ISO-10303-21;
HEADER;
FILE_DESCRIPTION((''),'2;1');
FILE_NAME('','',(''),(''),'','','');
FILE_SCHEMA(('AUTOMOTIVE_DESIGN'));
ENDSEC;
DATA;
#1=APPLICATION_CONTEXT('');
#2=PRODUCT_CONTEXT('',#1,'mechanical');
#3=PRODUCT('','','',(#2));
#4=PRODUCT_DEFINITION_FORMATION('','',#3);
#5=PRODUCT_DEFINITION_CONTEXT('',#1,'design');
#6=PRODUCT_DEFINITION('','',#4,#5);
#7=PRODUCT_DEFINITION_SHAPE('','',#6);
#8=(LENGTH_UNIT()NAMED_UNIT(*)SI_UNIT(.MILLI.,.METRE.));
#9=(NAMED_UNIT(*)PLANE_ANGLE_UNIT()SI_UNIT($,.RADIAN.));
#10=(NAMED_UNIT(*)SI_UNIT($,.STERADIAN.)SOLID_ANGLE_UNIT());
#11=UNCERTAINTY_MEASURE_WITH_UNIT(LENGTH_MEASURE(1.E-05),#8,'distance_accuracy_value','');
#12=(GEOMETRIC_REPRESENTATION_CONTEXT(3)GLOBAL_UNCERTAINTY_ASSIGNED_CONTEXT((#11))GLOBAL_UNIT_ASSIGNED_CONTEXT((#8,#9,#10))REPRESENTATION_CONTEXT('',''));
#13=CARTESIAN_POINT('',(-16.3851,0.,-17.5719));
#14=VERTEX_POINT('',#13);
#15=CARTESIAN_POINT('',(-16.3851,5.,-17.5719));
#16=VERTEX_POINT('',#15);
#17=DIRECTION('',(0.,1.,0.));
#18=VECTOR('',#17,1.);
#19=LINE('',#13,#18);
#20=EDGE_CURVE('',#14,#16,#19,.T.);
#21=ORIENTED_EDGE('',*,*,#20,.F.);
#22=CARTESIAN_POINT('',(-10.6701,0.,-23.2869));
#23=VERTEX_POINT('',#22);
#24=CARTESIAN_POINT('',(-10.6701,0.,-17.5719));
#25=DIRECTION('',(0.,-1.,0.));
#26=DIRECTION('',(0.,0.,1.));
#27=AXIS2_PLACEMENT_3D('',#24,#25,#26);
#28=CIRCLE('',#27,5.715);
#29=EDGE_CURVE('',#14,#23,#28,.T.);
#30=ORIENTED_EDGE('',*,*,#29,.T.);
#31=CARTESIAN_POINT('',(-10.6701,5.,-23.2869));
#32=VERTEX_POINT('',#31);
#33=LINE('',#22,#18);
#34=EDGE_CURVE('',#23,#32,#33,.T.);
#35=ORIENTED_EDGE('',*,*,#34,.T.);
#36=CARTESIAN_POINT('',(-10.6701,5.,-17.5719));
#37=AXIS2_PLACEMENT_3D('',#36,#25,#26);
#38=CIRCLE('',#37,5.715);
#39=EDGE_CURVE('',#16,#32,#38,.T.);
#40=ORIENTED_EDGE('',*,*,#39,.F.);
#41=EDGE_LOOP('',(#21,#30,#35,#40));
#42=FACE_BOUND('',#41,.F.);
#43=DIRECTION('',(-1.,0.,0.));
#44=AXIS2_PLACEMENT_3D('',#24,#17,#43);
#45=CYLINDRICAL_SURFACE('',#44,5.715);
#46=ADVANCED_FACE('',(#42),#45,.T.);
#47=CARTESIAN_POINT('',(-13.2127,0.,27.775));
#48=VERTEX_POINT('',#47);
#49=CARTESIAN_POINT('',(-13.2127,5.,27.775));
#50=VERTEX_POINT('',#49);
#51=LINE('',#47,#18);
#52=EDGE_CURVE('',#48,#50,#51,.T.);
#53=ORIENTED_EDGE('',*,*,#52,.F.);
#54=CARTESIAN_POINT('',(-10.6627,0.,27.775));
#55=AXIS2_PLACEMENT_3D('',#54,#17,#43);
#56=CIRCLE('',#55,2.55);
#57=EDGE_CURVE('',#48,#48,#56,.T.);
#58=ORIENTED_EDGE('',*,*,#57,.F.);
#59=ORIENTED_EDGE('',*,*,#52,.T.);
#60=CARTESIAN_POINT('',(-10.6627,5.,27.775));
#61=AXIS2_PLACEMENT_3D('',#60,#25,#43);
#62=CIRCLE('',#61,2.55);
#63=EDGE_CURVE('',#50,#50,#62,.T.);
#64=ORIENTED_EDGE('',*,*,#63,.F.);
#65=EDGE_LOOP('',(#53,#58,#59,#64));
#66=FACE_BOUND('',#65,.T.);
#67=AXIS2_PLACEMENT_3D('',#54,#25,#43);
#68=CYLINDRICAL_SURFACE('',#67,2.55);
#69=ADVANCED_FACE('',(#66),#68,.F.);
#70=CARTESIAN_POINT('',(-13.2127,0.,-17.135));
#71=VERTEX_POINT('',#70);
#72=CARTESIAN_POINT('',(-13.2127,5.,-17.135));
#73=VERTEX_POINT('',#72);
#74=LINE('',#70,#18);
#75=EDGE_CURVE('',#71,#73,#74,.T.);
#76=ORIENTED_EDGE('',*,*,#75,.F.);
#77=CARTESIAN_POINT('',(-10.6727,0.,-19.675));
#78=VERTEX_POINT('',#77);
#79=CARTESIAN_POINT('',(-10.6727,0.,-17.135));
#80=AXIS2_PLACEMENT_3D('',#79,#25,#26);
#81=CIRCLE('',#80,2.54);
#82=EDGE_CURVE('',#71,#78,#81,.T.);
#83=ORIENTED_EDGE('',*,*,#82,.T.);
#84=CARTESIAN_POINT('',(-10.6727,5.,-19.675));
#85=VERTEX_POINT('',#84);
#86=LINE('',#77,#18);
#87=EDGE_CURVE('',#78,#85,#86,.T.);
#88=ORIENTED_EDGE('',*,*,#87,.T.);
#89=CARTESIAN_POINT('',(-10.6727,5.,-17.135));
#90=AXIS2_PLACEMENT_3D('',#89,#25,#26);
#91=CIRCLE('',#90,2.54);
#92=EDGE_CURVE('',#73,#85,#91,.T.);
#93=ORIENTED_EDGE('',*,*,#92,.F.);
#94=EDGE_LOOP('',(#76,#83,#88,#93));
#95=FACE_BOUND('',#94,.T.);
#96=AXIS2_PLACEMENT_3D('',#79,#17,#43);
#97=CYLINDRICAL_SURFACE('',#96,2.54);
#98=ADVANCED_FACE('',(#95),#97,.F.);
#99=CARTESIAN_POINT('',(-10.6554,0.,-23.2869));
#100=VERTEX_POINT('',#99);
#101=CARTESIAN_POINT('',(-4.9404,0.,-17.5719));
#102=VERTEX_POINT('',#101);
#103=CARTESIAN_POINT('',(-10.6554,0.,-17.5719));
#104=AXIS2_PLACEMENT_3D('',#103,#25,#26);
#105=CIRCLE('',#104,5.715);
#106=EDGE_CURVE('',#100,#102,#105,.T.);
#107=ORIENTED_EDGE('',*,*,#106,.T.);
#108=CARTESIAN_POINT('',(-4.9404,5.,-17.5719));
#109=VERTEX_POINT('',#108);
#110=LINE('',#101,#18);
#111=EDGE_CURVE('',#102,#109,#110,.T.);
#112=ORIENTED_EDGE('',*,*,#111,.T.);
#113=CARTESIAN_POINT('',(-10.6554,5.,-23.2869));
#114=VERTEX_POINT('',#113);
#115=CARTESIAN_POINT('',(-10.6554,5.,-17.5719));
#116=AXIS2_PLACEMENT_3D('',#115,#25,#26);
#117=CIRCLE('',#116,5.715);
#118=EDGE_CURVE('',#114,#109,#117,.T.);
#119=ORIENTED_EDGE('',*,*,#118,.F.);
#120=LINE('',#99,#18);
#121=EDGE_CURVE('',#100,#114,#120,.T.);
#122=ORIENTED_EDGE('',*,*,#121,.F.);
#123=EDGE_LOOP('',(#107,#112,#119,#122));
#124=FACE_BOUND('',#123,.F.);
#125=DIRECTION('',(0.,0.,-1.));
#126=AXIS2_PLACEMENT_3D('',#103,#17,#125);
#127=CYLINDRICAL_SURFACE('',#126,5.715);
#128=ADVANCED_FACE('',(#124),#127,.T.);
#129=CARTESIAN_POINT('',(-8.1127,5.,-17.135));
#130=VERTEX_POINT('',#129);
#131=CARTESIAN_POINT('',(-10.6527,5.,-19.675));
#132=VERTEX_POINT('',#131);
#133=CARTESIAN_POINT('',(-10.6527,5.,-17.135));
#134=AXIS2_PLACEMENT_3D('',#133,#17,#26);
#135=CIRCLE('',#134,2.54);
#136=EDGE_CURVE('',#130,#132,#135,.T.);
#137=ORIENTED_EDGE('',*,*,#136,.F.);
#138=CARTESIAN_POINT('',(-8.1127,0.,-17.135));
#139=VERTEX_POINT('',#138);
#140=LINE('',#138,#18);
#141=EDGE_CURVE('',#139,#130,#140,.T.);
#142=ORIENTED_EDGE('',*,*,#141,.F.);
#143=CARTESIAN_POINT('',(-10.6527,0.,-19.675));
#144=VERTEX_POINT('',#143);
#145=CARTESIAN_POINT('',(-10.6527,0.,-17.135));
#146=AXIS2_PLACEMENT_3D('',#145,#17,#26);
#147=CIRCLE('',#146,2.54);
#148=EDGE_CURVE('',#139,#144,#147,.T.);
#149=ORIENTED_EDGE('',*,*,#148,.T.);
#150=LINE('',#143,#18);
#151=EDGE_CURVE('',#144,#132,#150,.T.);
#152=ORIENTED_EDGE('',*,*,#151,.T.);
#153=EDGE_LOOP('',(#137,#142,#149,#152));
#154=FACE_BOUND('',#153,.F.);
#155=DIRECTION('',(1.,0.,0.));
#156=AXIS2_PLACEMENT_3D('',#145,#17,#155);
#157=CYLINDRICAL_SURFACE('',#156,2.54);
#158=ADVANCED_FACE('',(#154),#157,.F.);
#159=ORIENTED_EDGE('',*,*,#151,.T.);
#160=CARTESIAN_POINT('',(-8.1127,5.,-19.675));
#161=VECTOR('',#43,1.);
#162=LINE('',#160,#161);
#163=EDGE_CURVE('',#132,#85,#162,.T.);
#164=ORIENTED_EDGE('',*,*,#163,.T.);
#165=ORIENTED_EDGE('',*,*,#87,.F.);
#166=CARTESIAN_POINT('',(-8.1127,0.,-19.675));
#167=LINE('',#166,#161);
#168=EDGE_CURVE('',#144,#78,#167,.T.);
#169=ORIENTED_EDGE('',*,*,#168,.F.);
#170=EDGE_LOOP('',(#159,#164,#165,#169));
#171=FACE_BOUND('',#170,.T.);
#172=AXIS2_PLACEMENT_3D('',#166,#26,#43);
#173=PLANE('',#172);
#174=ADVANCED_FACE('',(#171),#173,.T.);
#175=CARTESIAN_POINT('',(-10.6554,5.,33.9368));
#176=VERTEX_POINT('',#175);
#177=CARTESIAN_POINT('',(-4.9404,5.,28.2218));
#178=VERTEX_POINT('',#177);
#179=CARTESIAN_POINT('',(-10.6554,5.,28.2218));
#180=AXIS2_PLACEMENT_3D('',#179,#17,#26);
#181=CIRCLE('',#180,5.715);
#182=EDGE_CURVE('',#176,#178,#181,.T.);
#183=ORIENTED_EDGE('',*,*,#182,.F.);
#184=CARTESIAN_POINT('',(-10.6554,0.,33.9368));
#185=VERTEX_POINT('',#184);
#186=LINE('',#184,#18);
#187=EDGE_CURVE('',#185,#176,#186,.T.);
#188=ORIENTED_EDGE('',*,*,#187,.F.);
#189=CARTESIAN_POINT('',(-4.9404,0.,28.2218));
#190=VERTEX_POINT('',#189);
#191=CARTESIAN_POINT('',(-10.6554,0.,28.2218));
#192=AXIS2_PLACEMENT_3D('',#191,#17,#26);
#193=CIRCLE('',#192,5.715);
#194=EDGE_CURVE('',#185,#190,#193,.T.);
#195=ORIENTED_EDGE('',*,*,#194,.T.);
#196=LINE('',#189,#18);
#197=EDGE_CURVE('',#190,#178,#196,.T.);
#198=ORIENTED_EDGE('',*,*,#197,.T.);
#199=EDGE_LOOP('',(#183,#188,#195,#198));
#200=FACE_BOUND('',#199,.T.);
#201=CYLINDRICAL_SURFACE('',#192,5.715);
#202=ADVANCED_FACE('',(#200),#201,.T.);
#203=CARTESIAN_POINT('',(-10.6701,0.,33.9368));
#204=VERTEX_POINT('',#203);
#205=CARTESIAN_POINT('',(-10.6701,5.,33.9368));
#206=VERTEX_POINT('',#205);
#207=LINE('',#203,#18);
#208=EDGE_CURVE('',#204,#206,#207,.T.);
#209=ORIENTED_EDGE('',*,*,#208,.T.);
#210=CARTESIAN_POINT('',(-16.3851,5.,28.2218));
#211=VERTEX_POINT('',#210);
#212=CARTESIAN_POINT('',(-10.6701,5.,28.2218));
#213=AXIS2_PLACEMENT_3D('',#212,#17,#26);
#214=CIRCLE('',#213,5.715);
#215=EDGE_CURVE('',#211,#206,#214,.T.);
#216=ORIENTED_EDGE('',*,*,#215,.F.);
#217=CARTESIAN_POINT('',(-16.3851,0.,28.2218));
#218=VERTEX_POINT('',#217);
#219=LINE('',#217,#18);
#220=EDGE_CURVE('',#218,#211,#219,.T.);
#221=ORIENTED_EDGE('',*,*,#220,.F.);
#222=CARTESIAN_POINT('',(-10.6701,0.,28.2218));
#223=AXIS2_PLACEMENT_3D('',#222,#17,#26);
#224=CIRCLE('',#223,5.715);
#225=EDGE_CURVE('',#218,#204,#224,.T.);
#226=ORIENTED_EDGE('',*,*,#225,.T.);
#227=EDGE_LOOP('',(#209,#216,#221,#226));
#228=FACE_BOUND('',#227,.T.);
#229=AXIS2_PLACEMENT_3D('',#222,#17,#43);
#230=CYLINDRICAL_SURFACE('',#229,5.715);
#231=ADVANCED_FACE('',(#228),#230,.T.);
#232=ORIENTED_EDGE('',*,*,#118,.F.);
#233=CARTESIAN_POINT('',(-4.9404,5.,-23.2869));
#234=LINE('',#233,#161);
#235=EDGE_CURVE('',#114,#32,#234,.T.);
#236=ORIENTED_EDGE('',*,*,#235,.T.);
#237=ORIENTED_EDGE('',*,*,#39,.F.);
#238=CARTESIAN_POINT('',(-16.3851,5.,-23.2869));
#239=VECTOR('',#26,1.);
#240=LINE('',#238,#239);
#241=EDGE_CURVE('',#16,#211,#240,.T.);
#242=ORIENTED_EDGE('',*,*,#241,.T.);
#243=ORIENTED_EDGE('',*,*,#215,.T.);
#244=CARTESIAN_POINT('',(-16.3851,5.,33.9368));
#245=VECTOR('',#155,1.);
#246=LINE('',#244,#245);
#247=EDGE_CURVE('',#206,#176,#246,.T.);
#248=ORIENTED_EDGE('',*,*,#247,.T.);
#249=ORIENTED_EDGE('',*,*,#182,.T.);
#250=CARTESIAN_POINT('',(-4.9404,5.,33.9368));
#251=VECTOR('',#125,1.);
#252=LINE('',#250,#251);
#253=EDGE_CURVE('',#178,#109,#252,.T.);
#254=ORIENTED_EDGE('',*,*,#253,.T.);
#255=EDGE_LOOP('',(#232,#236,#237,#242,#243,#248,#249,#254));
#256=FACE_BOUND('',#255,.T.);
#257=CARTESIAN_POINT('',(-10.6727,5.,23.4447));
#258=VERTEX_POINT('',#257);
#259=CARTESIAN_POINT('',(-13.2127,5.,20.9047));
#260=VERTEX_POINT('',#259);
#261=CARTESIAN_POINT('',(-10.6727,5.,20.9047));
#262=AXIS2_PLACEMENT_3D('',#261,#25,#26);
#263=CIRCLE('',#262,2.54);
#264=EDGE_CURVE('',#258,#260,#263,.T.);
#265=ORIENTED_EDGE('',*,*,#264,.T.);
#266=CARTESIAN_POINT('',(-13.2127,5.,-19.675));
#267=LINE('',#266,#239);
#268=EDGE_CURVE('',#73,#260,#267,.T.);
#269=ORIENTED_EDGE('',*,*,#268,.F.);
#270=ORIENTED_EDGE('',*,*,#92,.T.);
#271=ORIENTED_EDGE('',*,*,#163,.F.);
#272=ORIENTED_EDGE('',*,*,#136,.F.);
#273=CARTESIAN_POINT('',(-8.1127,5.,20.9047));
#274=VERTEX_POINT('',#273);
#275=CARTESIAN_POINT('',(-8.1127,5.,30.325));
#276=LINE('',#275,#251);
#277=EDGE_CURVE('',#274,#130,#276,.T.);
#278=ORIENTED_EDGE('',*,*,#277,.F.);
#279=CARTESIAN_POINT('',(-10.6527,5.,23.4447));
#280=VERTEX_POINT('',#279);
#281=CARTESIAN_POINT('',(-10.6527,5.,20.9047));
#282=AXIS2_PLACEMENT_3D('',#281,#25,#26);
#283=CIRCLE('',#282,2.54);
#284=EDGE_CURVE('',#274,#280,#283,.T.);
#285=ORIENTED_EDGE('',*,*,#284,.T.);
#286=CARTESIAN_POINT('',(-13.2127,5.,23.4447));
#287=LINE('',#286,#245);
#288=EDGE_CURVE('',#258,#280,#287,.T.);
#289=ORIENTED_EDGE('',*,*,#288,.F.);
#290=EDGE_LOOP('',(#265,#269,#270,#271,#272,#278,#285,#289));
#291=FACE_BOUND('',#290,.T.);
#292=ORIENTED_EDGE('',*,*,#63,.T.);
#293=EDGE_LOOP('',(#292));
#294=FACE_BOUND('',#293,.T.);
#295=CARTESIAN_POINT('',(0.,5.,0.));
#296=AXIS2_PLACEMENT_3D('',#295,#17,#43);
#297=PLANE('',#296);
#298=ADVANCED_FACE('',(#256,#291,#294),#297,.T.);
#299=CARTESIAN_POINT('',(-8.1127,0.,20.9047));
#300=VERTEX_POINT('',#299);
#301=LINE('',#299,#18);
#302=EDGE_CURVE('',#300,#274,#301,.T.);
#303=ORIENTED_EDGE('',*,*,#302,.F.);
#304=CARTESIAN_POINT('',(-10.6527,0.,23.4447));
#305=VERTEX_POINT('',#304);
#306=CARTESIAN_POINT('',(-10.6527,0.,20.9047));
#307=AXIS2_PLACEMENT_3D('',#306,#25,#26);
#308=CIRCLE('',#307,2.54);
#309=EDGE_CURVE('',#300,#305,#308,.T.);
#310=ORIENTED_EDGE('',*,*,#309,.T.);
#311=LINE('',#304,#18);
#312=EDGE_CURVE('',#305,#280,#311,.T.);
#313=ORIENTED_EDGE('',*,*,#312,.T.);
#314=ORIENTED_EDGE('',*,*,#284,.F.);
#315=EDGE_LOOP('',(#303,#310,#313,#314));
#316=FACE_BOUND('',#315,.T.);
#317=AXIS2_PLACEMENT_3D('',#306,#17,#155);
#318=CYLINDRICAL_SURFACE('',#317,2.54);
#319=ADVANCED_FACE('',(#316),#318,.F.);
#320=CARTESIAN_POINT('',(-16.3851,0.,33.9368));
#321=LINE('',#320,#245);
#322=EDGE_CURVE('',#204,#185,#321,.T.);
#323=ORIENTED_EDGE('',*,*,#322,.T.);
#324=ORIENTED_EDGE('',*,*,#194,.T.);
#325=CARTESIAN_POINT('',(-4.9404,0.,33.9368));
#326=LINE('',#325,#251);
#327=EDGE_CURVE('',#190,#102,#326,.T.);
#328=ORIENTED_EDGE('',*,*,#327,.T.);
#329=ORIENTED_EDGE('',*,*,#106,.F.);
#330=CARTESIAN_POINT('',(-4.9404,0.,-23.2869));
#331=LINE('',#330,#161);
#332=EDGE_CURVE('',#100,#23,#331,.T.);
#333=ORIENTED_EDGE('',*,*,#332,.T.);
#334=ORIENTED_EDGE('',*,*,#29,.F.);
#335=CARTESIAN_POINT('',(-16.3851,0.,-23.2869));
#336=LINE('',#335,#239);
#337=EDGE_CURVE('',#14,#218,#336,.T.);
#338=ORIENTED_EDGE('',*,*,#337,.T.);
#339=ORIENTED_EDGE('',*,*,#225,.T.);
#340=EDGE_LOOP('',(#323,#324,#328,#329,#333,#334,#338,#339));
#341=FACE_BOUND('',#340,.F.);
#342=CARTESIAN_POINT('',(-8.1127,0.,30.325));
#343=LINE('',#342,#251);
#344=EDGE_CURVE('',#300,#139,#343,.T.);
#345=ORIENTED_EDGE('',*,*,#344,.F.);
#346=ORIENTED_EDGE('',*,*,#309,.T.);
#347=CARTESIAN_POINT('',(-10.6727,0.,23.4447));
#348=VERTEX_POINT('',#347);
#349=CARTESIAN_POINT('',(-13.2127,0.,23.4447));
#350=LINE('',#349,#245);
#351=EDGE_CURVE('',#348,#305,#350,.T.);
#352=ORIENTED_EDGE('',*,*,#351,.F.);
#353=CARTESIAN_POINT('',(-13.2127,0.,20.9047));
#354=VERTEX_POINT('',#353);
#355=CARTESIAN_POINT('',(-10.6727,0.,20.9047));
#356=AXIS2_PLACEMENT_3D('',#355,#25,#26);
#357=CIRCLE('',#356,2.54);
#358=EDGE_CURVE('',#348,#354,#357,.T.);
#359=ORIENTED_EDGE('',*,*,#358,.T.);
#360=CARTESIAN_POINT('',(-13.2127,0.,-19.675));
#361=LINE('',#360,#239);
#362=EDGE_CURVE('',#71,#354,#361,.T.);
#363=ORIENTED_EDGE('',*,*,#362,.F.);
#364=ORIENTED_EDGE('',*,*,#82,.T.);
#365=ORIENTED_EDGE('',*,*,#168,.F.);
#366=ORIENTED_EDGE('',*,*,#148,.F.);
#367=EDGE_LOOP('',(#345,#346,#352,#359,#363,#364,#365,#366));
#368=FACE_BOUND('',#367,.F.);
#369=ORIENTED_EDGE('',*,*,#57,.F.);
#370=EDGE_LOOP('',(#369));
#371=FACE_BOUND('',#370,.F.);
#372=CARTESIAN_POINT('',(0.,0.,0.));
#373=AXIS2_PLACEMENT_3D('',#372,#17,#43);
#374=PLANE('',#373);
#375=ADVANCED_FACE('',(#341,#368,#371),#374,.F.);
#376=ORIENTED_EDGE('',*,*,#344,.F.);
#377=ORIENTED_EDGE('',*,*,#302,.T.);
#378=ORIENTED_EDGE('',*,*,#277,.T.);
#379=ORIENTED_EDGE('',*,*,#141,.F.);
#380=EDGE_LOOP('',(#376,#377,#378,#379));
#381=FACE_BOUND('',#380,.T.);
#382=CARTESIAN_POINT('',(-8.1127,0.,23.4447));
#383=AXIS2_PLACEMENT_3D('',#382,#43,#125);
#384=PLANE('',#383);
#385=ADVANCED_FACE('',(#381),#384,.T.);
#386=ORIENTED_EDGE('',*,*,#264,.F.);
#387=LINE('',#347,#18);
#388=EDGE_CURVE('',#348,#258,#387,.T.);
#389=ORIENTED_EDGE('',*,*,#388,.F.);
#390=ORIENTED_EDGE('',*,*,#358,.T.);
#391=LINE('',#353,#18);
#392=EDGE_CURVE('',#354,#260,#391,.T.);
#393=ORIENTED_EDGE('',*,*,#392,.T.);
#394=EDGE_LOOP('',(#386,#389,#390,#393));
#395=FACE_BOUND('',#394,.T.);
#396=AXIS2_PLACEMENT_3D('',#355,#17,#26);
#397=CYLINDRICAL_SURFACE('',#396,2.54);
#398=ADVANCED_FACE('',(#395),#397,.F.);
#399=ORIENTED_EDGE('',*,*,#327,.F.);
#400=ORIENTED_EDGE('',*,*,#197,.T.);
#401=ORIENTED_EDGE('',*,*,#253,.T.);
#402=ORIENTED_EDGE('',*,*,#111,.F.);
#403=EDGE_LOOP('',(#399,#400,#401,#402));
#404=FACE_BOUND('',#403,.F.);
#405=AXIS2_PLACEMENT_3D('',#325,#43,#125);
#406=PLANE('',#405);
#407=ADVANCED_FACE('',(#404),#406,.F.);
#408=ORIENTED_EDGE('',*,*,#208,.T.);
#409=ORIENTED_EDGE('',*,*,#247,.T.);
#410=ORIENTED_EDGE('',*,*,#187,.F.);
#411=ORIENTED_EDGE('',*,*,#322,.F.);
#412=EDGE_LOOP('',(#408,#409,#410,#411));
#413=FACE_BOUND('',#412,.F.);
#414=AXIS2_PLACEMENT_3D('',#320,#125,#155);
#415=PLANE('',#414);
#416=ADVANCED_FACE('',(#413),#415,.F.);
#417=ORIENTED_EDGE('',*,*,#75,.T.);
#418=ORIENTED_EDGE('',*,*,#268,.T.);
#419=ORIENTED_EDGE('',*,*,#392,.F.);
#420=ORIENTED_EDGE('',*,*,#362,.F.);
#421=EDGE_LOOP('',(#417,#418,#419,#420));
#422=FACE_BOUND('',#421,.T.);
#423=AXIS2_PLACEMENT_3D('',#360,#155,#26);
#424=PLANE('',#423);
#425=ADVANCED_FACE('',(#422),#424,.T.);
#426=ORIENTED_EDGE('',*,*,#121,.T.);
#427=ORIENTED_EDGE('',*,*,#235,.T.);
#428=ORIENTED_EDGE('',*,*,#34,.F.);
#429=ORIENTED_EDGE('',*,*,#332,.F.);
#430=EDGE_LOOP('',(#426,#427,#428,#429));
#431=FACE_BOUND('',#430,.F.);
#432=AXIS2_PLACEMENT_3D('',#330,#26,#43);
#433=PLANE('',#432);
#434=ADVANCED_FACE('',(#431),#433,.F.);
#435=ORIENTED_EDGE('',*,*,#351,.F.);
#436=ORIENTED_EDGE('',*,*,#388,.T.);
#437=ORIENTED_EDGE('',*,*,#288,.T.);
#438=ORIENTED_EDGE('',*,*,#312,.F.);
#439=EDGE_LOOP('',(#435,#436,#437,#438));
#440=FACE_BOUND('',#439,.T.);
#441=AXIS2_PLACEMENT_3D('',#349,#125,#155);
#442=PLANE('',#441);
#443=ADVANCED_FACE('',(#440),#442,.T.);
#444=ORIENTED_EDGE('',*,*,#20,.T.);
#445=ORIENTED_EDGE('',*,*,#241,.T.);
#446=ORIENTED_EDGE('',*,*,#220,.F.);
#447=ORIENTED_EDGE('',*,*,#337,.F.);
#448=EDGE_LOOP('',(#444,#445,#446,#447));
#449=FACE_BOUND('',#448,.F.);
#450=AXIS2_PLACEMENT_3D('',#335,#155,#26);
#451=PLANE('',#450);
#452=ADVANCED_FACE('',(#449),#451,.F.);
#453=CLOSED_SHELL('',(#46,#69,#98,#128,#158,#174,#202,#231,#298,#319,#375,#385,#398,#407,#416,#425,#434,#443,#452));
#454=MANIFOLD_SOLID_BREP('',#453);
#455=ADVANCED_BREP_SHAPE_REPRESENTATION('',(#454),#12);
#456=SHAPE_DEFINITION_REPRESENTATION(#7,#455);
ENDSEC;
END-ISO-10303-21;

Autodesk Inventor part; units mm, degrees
ref_plane "YZ Plane" through (0, 0, 0) normal (1, 0, 0) x (0, 1, 0)
ref_plane "XZ Plane" through (0, 0, 0) normal (0, 1, 0) x (-1, 0, 0)
ref_plane "XY Plane" through (0, 0, 0) normal (0, 0, 1) x (1, 0, 0)
sketch "Sketch1" plane through (0, 0, 0) normal (0, 1, 0) x (-1, 0, 0)
  line L0 (16.3851, 33.9368) -> (4.9404, 33.9368)
  line L1 (4.9404, 33.9368) -> (4.9404, -23.2869)
  line L2 (4.9404, -23.2869) -> (16.3851, -23.2869)
  line L3 (16.3851, -23.2869) -> (16.3851, 33.9368)
  line L4 (13.2127, 30.325) -> (8.1127, 30.325)
  line L5 (8.1127, 30.325) -> (8.1127, -19.675)
  line L6 (8.1127, -19.675) -> (13.2127, -19.675)
  line L7 (13.2127, -19.675) -> (13.2127, 30.325)
  circle A0 centre (10.6627, 27.775) radius 2.55
  line L8 (13.2127, 23.4447) -> (8.1127, 23.4447)
  point P0 (0, 0)
  dimension "d2" = 5.1
  dimension "d3" = 11.4447
  dimension "d4" = 57.2237
  dimension "d5" = 3.1724
  dimension "d6" = 50
  dimension "d7" = 3.6118
  dimension "d12" = 5.1
  dimension "d13" = 2.55
extrude "Extrusion2" add sketch "Sketch1" along normal blind 5 contours L3 L2 L1 L0 | L7 A0 L4 | A0 L5 L4 | L7 L8 L5 A0
fillet "Fillet3" radius 5.715 4 edges at (-16.3851, 2.5, 33.9368) (-4.9404, 2.5, 33.9368) (-16.3851, 2.5, -23.2869) (-4.9404, 2.5, -23.2869)
fillet "Fillet4" radius 2.54 4 edges at (-13.2127, 2.5, 23.4447) (-8.1127, 2.5, 23.4447) (-8.1127, 2.5, -19.675) (-13.2127, 2.5, -19.675)
equation "\"d5\" = -0.5 * d2 + 0.5 * d3"
equation "\"d7\" = -0.5 * d6 + 0.5 * d4"
equation "\"d12\" = d2"
equation "\"d13\" = 0.5 * d2"
properties part number "extention_plate"
